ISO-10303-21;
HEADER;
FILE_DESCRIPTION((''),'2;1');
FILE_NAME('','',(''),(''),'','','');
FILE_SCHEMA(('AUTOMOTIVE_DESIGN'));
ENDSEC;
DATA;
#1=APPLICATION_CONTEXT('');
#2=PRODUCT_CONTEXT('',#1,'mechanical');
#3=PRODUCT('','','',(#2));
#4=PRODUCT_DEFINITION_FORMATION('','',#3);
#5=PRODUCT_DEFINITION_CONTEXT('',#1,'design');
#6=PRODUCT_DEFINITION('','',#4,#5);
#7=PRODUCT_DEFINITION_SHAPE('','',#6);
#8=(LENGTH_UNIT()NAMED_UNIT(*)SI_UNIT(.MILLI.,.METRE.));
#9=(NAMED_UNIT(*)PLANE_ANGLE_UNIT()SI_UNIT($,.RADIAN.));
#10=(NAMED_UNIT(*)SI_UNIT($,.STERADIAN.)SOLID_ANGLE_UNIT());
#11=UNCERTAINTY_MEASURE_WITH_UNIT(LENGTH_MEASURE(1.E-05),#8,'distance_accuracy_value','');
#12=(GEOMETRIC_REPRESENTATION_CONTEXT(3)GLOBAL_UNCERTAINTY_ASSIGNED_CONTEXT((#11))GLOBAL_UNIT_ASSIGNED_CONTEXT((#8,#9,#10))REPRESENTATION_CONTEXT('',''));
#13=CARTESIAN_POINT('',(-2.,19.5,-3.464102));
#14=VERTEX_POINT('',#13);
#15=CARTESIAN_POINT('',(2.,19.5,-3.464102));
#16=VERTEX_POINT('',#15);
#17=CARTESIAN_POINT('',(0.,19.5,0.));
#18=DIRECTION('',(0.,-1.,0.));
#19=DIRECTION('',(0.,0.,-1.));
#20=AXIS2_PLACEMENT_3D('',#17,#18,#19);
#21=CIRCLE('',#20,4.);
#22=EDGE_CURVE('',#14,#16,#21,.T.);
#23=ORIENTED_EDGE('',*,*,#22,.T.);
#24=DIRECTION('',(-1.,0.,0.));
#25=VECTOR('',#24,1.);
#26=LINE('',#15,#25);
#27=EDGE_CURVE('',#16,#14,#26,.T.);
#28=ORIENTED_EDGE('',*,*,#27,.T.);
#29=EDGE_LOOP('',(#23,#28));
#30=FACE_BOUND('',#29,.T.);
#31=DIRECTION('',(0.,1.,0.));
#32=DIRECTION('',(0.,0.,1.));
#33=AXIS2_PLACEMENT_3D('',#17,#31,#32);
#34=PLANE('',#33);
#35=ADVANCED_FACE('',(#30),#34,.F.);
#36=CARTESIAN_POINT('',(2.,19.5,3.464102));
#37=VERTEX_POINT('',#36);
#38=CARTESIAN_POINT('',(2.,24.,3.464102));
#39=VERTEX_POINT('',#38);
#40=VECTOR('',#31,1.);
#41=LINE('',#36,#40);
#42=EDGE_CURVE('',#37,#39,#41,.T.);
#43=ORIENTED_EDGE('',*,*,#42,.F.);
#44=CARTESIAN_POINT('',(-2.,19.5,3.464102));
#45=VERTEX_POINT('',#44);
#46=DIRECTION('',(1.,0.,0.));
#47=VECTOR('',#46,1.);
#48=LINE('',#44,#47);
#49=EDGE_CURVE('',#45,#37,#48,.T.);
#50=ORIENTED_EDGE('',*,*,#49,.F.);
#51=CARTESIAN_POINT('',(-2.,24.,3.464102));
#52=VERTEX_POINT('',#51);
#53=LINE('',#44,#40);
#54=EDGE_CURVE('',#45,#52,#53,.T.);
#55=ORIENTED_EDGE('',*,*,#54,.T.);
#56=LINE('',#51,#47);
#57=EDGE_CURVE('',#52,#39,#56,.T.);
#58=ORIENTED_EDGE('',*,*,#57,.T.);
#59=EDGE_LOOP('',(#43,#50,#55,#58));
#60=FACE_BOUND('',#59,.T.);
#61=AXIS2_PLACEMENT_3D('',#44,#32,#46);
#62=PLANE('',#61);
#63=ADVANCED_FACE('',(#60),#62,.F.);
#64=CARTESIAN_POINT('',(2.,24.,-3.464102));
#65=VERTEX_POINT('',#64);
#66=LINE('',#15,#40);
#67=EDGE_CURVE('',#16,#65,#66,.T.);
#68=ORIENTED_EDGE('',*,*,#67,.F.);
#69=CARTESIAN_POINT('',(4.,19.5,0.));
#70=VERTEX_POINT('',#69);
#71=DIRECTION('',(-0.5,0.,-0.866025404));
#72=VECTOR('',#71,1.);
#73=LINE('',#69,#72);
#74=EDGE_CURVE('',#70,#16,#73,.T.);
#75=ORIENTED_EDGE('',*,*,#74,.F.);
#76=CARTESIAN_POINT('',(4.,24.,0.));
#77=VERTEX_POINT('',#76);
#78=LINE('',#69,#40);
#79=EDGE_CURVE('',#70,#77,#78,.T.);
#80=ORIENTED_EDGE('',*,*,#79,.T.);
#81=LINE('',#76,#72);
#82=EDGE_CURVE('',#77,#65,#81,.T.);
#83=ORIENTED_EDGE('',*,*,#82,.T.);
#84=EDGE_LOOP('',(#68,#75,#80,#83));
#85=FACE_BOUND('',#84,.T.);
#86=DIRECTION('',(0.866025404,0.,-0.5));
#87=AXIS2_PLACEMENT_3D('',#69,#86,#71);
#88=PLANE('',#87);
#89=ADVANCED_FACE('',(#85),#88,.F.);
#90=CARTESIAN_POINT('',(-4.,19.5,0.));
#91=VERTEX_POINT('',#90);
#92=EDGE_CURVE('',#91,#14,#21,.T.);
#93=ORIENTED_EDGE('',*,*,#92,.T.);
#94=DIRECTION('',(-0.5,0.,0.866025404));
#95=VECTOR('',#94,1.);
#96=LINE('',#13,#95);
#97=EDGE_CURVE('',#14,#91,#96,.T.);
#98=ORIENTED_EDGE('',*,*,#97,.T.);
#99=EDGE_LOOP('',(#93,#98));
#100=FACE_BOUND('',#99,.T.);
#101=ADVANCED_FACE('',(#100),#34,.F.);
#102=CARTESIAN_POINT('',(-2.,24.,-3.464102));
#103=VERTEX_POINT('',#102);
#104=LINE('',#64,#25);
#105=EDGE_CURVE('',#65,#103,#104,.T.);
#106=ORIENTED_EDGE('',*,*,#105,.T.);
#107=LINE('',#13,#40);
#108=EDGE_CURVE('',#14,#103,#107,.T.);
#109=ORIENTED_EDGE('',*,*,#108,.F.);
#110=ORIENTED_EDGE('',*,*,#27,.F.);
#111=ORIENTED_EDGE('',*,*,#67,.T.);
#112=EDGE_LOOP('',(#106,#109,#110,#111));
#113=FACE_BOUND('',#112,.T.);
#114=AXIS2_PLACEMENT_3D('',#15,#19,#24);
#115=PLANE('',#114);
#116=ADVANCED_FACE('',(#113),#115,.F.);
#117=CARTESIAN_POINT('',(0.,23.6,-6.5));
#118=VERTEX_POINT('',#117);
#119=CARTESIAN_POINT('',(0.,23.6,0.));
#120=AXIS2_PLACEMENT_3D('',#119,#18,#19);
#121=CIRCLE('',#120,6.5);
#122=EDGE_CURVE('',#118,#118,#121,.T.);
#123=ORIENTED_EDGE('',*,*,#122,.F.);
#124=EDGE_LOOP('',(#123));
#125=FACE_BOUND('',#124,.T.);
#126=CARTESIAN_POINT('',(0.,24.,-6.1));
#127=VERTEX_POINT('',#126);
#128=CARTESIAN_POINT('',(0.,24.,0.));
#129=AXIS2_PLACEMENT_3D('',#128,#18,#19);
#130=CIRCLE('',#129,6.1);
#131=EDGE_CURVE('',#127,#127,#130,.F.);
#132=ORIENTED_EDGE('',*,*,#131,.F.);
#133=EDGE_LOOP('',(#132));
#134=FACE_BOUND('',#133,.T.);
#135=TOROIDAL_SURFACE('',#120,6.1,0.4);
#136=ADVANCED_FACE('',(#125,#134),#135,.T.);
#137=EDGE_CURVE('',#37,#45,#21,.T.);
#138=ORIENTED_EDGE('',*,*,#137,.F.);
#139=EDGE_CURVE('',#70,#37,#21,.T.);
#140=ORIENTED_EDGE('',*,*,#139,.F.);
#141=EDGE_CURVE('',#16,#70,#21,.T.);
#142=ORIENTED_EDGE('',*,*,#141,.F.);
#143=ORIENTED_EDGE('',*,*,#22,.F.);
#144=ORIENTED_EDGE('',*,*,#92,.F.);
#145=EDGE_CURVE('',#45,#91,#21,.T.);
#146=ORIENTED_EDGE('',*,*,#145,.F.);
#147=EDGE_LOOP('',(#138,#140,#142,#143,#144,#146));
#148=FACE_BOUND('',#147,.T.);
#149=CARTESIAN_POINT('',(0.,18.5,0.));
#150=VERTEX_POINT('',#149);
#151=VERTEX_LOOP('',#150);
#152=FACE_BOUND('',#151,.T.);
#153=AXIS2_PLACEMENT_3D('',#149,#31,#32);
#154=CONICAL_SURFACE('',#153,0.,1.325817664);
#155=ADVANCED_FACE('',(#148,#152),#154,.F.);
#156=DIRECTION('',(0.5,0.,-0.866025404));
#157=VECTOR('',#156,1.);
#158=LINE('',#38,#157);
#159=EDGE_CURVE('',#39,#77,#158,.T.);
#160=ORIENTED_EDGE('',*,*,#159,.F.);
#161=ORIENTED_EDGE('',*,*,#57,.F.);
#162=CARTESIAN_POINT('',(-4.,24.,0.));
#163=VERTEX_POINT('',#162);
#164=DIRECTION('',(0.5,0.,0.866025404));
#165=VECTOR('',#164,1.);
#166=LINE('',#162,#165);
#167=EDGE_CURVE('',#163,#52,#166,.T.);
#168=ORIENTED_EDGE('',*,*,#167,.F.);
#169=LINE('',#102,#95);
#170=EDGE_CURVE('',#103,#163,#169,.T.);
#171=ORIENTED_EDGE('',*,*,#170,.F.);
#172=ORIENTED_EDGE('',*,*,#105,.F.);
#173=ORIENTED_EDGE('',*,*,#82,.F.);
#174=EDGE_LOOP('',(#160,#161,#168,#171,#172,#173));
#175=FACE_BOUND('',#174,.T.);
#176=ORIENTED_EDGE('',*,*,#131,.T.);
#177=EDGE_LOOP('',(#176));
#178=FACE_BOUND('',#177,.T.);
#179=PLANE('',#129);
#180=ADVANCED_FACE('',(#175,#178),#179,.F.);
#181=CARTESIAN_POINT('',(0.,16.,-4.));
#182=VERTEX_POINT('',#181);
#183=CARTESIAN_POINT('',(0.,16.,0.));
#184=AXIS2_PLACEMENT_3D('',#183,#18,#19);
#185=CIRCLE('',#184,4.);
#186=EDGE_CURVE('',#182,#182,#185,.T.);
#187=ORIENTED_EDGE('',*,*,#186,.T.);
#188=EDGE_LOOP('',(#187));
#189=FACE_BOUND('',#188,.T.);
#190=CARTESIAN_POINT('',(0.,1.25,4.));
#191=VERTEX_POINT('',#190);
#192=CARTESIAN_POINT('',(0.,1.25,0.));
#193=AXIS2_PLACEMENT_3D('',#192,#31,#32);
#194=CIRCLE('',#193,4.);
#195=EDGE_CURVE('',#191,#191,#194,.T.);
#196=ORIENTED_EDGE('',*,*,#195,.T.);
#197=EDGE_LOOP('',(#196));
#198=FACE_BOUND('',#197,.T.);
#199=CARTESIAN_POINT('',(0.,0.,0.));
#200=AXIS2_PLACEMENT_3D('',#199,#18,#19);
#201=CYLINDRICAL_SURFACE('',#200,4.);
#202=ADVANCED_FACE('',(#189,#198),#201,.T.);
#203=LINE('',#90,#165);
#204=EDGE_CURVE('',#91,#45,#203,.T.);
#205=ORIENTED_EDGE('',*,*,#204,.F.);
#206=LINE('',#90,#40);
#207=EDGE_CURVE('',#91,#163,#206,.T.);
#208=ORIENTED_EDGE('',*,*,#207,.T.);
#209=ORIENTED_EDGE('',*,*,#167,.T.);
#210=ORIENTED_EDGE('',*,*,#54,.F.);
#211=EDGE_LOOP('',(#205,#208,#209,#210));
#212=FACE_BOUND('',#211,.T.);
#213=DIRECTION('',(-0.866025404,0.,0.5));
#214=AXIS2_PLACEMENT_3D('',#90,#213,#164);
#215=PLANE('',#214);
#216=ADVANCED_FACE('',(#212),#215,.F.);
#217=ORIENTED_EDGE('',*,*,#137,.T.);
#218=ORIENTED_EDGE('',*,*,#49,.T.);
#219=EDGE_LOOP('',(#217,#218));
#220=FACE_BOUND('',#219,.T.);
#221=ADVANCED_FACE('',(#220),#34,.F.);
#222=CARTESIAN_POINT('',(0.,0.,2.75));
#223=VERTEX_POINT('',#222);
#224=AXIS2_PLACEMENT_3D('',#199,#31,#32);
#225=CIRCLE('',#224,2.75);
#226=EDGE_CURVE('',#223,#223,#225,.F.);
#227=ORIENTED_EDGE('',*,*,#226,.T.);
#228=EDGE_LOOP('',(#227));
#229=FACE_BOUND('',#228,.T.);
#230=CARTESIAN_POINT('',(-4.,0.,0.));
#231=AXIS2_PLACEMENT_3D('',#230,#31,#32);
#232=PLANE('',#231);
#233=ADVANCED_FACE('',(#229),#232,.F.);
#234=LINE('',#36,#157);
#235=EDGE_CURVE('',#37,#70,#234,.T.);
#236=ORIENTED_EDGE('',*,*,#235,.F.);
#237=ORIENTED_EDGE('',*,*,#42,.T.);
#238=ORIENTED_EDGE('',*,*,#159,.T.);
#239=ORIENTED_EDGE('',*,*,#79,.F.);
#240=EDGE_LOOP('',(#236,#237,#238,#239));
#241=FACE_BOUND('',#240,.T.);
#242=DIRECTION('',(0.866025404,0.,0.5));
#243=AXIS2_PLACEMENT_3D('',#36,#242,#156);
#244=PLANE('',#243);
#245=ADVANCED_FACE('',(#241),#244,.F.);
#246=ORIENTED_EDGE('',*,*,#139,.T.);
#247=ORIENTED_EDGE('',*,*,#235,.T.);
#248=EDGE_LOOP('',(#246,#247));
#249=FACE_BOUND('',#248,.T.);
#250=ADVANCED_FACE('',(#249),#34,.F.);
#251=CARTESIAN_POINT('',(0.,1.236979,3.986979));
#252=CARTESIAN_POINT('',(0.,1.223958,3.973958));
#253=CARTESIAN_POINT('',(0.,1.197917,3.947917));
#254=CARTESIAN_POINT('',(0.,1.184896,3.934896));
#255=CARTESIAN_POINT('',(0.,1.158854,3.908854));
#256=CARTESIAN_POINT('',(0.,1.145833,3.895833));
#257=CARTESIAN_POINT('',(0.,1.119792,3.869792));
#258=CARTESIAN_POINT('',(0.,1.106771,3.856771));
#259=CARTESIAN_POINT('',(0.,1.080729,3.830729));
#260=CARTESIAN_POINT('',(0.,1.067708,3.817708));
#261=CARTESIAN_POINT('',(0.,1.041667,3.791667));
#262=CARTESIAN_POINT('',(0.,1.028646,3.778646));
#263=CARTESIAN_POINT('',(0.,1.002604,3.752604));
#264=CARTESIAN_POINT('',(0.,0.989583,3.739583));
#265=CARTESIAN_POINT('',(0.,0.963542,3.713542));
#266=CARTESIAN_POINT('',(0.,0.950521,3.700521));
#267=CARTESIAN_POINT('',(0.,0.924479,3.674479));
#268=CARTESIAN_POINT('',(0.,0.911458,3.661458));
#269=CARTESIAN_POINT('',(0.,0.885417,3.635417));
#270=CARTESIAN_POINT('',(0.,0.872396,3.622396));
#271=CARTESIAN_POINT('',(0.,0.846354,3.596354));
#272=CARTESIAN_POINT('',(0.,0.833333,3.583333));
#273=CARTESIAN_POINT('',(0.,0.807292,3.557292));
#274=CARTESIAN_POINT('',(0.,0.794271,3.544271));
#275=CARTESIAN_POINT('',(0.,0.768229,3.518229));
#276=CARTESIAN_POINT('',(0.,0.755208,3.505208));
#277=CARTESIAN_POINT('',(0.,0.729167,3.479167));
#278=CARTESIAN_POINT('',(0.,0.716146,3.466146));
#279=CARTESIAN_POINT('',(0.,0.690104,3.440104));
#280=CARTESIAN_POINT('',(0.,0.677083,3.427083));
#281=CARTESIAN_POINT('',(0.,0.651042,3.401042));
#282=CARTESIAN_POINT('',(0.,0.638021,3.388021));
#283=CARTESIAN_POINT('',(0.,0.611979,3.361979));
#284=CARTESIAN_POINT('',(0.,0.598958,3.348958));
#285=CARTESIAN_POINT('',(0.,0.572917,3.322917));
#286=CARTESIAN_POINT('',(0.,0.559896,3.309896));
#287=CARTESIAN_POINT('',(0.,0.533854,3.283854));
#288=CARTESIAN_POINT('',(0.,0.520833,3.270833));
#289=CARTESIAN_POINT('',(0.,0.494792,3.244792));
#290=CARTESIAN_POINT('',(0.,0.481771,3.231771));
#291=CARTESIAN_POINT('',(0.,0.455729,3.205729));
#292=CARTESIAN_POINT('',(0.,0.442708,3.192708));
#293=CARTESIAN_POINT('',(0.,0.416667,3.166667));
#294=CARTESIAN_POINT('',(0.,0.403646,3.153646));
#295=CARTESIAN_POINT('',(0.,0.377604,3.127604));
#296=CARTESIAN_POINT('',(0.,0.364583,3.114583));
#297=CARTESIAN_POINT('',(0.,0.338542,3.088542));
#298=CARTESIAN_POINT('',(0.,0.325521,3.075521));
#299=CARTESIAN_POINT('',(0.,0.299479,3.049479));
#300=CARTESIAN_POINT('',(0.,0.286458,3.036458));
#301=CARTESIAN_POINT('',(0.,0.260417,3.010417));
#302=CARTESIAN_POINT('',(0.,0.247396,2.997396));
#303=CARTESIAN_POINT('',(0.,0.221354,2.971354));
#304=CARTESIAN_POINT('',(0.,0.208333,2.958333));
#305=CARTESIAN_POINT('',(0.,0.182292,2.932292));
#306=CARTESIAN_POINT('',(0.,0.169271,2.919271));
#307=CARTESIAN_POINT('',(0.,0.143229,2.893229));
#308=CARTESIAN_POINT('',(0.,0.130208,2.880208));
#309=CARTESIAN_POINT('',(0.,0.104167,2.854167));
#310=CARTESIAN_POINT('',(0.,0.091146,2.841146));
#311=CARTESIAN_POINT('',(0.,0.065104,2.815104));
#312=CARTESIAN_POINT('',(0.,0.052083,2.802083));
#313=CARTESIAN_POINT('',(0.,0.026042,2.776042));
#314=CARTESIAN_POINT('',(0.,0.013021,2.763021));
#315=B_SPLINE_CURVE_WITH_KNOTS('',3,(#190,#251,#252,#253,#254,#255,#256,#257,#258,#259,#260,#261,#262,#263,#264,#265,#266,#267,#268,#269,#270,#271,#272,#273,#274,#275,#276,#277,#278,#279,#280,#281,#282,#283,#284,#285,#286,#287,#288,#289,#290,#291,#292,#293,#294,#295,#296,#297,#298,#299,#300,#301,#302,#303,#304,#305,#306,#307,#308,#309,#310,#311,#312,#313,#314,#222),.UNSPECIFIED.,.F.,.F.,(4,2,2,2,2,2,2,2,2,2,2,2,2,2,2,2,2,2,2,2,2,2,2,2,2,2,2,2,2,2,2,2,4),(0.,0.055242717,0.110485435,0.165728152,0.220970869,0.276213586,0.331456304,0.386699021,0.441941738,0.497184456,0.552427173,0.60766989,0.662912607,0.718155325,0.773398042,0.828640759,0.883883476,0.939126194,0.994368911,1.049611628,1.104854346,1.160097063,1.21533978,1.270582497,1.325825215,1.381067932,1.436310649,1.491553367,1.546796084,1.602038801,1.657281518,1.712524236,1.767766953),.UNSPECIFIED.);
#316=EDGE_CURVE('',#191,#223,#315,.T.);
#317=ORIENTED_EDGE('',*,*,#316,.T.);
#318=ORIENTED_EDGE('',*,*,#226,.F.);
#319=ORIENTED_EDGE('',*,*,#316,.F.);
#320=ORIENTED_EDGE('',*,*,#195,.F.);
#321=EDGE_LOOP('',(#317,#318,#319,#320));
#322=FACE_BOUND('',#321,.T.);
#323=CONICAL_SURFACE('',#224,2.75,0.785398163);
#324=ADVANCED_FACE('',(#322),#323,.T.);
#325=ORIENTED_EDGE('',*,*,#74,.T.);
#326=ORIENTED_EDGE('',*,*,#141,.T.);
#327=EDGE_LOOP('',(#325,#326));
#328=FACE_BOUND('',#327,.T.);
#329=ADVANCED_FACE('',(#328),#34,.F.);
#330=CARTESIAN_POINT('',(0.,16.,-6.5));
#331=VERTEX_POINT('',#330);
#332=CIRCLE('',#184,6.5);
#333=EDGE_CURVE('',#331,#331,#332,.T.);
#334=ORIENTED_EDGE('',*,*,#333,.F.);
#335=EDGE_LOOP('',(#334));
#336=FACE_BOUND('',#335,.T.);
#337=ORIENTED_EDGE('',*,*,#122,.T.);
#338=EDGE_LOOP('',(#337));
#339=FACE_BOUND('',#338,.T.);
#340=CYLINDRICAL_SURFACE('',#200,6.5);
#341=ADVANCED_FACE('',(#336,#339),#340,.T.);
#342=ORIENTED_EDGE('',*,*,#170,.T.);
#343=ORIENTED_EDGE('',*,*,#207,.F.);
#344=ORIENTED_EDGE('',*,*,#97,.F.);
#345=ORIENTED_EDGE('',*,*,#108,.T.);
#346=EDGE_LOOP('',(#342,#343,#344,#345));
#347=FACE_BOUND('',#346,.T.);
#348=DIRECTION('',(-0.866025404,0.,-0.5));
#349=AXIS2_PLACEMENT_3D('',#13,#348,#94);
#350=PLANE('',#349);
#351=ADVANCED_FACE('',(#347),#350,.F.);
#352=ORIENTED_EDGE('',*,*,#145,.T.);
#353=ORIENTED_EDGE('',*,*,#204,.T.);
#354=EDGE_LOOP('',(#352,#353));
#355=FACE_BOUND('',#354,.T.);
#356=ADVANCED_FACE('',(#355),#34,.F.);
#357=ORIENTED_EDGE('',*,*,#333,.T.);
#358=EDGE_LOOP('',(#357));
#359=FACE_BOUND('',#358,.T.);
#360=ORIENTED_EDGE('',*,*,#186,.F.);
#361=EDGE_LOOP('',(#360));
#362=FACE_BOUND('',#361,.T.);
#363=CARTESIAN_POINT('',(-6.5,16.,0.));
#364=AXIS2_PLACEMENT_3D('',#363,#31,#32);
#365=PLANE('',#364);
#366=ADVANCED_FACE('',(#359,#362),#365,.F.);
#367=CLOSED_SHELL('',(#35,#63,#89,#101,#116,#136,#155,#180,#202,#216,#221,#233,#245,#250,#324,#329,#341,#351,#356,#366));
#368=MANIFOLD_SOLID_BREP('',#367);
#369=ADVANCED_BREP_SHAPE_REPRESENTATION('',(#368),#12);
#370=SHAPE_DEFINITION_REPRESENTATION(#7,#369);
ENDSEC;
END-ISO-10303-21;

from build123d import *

# Parameters (mm, degrees)
CHAMFER1_SIZE      = 1.25
FILLET1_R          = 0.4
CUT_EXTRUDE1_DEPTH = 4.5


with BuildPart() as part:
    # Sketch1 → Revolve1 (revolve)
    with BuildSketch(Plane.XY, mode=Mode.PRIVATE) as revolve1_sk:
        Polygon((0, 0), (0, 24), (-6.5, 24), (-6.5, 16), (-4, 16), (-4, 0), align=None)
    revolve(revolve1_sk.sketch.rotate(Axis((0, 0, 0), (0, 1, 0)), 270), axis=Axis((0, 0, 0), (0, 1, 0)))

    # Chamfer1
    chamfer1_edges = [part.edges().sort_by_distance(p)[0] for p in [
        (0, 0, 4),
    ]]
    chamfer(chamfer1_edges, length=CHAMFER1_SIZE)

    # Fillet1
    fillet1_edges = [part.edges().sort_by_distance(p)[0] for p in [
        (0, 24, 6.5),
    ]]
    fillet(fillet1_edges, radius=FILLET1_R)

    # Sketch2 → Cut-Extrude1 (cut)
    with BuildSketch(Plane(origin=(0, 24, 0), x_dir=(1, 0, 0), z_dir=(0, 1, 0))):
        Polygon((-4, 0), (-2, -3.464101615), (2, -3.464101615), (4, 0), (2, 3.464101615), (-2, 3.464101615), align=None)
    extrude(amount=-CUT_EXTRUDE1_DEPTH, mode=Mode.SUBTRACT)

    # Sketch3 → Cut-Revolve1 (revolve, cut)
    with BuildSketch(Plane.XY, mode=Mode.PRIVATE) as cut_revolve1_sk:
        Polygon((4, 19.5), (0, 18.5), (0, 19.5), align=None)
    revolve(cut_revolve1_sk.sketch.rotate(Axis((0, 18.5, 0), (0, 1, 0)), 270), axis=Axis((0, 18.5, 0), (0, 1, 0)), mode=Mode.SUBTRACT)


solid = part.part
